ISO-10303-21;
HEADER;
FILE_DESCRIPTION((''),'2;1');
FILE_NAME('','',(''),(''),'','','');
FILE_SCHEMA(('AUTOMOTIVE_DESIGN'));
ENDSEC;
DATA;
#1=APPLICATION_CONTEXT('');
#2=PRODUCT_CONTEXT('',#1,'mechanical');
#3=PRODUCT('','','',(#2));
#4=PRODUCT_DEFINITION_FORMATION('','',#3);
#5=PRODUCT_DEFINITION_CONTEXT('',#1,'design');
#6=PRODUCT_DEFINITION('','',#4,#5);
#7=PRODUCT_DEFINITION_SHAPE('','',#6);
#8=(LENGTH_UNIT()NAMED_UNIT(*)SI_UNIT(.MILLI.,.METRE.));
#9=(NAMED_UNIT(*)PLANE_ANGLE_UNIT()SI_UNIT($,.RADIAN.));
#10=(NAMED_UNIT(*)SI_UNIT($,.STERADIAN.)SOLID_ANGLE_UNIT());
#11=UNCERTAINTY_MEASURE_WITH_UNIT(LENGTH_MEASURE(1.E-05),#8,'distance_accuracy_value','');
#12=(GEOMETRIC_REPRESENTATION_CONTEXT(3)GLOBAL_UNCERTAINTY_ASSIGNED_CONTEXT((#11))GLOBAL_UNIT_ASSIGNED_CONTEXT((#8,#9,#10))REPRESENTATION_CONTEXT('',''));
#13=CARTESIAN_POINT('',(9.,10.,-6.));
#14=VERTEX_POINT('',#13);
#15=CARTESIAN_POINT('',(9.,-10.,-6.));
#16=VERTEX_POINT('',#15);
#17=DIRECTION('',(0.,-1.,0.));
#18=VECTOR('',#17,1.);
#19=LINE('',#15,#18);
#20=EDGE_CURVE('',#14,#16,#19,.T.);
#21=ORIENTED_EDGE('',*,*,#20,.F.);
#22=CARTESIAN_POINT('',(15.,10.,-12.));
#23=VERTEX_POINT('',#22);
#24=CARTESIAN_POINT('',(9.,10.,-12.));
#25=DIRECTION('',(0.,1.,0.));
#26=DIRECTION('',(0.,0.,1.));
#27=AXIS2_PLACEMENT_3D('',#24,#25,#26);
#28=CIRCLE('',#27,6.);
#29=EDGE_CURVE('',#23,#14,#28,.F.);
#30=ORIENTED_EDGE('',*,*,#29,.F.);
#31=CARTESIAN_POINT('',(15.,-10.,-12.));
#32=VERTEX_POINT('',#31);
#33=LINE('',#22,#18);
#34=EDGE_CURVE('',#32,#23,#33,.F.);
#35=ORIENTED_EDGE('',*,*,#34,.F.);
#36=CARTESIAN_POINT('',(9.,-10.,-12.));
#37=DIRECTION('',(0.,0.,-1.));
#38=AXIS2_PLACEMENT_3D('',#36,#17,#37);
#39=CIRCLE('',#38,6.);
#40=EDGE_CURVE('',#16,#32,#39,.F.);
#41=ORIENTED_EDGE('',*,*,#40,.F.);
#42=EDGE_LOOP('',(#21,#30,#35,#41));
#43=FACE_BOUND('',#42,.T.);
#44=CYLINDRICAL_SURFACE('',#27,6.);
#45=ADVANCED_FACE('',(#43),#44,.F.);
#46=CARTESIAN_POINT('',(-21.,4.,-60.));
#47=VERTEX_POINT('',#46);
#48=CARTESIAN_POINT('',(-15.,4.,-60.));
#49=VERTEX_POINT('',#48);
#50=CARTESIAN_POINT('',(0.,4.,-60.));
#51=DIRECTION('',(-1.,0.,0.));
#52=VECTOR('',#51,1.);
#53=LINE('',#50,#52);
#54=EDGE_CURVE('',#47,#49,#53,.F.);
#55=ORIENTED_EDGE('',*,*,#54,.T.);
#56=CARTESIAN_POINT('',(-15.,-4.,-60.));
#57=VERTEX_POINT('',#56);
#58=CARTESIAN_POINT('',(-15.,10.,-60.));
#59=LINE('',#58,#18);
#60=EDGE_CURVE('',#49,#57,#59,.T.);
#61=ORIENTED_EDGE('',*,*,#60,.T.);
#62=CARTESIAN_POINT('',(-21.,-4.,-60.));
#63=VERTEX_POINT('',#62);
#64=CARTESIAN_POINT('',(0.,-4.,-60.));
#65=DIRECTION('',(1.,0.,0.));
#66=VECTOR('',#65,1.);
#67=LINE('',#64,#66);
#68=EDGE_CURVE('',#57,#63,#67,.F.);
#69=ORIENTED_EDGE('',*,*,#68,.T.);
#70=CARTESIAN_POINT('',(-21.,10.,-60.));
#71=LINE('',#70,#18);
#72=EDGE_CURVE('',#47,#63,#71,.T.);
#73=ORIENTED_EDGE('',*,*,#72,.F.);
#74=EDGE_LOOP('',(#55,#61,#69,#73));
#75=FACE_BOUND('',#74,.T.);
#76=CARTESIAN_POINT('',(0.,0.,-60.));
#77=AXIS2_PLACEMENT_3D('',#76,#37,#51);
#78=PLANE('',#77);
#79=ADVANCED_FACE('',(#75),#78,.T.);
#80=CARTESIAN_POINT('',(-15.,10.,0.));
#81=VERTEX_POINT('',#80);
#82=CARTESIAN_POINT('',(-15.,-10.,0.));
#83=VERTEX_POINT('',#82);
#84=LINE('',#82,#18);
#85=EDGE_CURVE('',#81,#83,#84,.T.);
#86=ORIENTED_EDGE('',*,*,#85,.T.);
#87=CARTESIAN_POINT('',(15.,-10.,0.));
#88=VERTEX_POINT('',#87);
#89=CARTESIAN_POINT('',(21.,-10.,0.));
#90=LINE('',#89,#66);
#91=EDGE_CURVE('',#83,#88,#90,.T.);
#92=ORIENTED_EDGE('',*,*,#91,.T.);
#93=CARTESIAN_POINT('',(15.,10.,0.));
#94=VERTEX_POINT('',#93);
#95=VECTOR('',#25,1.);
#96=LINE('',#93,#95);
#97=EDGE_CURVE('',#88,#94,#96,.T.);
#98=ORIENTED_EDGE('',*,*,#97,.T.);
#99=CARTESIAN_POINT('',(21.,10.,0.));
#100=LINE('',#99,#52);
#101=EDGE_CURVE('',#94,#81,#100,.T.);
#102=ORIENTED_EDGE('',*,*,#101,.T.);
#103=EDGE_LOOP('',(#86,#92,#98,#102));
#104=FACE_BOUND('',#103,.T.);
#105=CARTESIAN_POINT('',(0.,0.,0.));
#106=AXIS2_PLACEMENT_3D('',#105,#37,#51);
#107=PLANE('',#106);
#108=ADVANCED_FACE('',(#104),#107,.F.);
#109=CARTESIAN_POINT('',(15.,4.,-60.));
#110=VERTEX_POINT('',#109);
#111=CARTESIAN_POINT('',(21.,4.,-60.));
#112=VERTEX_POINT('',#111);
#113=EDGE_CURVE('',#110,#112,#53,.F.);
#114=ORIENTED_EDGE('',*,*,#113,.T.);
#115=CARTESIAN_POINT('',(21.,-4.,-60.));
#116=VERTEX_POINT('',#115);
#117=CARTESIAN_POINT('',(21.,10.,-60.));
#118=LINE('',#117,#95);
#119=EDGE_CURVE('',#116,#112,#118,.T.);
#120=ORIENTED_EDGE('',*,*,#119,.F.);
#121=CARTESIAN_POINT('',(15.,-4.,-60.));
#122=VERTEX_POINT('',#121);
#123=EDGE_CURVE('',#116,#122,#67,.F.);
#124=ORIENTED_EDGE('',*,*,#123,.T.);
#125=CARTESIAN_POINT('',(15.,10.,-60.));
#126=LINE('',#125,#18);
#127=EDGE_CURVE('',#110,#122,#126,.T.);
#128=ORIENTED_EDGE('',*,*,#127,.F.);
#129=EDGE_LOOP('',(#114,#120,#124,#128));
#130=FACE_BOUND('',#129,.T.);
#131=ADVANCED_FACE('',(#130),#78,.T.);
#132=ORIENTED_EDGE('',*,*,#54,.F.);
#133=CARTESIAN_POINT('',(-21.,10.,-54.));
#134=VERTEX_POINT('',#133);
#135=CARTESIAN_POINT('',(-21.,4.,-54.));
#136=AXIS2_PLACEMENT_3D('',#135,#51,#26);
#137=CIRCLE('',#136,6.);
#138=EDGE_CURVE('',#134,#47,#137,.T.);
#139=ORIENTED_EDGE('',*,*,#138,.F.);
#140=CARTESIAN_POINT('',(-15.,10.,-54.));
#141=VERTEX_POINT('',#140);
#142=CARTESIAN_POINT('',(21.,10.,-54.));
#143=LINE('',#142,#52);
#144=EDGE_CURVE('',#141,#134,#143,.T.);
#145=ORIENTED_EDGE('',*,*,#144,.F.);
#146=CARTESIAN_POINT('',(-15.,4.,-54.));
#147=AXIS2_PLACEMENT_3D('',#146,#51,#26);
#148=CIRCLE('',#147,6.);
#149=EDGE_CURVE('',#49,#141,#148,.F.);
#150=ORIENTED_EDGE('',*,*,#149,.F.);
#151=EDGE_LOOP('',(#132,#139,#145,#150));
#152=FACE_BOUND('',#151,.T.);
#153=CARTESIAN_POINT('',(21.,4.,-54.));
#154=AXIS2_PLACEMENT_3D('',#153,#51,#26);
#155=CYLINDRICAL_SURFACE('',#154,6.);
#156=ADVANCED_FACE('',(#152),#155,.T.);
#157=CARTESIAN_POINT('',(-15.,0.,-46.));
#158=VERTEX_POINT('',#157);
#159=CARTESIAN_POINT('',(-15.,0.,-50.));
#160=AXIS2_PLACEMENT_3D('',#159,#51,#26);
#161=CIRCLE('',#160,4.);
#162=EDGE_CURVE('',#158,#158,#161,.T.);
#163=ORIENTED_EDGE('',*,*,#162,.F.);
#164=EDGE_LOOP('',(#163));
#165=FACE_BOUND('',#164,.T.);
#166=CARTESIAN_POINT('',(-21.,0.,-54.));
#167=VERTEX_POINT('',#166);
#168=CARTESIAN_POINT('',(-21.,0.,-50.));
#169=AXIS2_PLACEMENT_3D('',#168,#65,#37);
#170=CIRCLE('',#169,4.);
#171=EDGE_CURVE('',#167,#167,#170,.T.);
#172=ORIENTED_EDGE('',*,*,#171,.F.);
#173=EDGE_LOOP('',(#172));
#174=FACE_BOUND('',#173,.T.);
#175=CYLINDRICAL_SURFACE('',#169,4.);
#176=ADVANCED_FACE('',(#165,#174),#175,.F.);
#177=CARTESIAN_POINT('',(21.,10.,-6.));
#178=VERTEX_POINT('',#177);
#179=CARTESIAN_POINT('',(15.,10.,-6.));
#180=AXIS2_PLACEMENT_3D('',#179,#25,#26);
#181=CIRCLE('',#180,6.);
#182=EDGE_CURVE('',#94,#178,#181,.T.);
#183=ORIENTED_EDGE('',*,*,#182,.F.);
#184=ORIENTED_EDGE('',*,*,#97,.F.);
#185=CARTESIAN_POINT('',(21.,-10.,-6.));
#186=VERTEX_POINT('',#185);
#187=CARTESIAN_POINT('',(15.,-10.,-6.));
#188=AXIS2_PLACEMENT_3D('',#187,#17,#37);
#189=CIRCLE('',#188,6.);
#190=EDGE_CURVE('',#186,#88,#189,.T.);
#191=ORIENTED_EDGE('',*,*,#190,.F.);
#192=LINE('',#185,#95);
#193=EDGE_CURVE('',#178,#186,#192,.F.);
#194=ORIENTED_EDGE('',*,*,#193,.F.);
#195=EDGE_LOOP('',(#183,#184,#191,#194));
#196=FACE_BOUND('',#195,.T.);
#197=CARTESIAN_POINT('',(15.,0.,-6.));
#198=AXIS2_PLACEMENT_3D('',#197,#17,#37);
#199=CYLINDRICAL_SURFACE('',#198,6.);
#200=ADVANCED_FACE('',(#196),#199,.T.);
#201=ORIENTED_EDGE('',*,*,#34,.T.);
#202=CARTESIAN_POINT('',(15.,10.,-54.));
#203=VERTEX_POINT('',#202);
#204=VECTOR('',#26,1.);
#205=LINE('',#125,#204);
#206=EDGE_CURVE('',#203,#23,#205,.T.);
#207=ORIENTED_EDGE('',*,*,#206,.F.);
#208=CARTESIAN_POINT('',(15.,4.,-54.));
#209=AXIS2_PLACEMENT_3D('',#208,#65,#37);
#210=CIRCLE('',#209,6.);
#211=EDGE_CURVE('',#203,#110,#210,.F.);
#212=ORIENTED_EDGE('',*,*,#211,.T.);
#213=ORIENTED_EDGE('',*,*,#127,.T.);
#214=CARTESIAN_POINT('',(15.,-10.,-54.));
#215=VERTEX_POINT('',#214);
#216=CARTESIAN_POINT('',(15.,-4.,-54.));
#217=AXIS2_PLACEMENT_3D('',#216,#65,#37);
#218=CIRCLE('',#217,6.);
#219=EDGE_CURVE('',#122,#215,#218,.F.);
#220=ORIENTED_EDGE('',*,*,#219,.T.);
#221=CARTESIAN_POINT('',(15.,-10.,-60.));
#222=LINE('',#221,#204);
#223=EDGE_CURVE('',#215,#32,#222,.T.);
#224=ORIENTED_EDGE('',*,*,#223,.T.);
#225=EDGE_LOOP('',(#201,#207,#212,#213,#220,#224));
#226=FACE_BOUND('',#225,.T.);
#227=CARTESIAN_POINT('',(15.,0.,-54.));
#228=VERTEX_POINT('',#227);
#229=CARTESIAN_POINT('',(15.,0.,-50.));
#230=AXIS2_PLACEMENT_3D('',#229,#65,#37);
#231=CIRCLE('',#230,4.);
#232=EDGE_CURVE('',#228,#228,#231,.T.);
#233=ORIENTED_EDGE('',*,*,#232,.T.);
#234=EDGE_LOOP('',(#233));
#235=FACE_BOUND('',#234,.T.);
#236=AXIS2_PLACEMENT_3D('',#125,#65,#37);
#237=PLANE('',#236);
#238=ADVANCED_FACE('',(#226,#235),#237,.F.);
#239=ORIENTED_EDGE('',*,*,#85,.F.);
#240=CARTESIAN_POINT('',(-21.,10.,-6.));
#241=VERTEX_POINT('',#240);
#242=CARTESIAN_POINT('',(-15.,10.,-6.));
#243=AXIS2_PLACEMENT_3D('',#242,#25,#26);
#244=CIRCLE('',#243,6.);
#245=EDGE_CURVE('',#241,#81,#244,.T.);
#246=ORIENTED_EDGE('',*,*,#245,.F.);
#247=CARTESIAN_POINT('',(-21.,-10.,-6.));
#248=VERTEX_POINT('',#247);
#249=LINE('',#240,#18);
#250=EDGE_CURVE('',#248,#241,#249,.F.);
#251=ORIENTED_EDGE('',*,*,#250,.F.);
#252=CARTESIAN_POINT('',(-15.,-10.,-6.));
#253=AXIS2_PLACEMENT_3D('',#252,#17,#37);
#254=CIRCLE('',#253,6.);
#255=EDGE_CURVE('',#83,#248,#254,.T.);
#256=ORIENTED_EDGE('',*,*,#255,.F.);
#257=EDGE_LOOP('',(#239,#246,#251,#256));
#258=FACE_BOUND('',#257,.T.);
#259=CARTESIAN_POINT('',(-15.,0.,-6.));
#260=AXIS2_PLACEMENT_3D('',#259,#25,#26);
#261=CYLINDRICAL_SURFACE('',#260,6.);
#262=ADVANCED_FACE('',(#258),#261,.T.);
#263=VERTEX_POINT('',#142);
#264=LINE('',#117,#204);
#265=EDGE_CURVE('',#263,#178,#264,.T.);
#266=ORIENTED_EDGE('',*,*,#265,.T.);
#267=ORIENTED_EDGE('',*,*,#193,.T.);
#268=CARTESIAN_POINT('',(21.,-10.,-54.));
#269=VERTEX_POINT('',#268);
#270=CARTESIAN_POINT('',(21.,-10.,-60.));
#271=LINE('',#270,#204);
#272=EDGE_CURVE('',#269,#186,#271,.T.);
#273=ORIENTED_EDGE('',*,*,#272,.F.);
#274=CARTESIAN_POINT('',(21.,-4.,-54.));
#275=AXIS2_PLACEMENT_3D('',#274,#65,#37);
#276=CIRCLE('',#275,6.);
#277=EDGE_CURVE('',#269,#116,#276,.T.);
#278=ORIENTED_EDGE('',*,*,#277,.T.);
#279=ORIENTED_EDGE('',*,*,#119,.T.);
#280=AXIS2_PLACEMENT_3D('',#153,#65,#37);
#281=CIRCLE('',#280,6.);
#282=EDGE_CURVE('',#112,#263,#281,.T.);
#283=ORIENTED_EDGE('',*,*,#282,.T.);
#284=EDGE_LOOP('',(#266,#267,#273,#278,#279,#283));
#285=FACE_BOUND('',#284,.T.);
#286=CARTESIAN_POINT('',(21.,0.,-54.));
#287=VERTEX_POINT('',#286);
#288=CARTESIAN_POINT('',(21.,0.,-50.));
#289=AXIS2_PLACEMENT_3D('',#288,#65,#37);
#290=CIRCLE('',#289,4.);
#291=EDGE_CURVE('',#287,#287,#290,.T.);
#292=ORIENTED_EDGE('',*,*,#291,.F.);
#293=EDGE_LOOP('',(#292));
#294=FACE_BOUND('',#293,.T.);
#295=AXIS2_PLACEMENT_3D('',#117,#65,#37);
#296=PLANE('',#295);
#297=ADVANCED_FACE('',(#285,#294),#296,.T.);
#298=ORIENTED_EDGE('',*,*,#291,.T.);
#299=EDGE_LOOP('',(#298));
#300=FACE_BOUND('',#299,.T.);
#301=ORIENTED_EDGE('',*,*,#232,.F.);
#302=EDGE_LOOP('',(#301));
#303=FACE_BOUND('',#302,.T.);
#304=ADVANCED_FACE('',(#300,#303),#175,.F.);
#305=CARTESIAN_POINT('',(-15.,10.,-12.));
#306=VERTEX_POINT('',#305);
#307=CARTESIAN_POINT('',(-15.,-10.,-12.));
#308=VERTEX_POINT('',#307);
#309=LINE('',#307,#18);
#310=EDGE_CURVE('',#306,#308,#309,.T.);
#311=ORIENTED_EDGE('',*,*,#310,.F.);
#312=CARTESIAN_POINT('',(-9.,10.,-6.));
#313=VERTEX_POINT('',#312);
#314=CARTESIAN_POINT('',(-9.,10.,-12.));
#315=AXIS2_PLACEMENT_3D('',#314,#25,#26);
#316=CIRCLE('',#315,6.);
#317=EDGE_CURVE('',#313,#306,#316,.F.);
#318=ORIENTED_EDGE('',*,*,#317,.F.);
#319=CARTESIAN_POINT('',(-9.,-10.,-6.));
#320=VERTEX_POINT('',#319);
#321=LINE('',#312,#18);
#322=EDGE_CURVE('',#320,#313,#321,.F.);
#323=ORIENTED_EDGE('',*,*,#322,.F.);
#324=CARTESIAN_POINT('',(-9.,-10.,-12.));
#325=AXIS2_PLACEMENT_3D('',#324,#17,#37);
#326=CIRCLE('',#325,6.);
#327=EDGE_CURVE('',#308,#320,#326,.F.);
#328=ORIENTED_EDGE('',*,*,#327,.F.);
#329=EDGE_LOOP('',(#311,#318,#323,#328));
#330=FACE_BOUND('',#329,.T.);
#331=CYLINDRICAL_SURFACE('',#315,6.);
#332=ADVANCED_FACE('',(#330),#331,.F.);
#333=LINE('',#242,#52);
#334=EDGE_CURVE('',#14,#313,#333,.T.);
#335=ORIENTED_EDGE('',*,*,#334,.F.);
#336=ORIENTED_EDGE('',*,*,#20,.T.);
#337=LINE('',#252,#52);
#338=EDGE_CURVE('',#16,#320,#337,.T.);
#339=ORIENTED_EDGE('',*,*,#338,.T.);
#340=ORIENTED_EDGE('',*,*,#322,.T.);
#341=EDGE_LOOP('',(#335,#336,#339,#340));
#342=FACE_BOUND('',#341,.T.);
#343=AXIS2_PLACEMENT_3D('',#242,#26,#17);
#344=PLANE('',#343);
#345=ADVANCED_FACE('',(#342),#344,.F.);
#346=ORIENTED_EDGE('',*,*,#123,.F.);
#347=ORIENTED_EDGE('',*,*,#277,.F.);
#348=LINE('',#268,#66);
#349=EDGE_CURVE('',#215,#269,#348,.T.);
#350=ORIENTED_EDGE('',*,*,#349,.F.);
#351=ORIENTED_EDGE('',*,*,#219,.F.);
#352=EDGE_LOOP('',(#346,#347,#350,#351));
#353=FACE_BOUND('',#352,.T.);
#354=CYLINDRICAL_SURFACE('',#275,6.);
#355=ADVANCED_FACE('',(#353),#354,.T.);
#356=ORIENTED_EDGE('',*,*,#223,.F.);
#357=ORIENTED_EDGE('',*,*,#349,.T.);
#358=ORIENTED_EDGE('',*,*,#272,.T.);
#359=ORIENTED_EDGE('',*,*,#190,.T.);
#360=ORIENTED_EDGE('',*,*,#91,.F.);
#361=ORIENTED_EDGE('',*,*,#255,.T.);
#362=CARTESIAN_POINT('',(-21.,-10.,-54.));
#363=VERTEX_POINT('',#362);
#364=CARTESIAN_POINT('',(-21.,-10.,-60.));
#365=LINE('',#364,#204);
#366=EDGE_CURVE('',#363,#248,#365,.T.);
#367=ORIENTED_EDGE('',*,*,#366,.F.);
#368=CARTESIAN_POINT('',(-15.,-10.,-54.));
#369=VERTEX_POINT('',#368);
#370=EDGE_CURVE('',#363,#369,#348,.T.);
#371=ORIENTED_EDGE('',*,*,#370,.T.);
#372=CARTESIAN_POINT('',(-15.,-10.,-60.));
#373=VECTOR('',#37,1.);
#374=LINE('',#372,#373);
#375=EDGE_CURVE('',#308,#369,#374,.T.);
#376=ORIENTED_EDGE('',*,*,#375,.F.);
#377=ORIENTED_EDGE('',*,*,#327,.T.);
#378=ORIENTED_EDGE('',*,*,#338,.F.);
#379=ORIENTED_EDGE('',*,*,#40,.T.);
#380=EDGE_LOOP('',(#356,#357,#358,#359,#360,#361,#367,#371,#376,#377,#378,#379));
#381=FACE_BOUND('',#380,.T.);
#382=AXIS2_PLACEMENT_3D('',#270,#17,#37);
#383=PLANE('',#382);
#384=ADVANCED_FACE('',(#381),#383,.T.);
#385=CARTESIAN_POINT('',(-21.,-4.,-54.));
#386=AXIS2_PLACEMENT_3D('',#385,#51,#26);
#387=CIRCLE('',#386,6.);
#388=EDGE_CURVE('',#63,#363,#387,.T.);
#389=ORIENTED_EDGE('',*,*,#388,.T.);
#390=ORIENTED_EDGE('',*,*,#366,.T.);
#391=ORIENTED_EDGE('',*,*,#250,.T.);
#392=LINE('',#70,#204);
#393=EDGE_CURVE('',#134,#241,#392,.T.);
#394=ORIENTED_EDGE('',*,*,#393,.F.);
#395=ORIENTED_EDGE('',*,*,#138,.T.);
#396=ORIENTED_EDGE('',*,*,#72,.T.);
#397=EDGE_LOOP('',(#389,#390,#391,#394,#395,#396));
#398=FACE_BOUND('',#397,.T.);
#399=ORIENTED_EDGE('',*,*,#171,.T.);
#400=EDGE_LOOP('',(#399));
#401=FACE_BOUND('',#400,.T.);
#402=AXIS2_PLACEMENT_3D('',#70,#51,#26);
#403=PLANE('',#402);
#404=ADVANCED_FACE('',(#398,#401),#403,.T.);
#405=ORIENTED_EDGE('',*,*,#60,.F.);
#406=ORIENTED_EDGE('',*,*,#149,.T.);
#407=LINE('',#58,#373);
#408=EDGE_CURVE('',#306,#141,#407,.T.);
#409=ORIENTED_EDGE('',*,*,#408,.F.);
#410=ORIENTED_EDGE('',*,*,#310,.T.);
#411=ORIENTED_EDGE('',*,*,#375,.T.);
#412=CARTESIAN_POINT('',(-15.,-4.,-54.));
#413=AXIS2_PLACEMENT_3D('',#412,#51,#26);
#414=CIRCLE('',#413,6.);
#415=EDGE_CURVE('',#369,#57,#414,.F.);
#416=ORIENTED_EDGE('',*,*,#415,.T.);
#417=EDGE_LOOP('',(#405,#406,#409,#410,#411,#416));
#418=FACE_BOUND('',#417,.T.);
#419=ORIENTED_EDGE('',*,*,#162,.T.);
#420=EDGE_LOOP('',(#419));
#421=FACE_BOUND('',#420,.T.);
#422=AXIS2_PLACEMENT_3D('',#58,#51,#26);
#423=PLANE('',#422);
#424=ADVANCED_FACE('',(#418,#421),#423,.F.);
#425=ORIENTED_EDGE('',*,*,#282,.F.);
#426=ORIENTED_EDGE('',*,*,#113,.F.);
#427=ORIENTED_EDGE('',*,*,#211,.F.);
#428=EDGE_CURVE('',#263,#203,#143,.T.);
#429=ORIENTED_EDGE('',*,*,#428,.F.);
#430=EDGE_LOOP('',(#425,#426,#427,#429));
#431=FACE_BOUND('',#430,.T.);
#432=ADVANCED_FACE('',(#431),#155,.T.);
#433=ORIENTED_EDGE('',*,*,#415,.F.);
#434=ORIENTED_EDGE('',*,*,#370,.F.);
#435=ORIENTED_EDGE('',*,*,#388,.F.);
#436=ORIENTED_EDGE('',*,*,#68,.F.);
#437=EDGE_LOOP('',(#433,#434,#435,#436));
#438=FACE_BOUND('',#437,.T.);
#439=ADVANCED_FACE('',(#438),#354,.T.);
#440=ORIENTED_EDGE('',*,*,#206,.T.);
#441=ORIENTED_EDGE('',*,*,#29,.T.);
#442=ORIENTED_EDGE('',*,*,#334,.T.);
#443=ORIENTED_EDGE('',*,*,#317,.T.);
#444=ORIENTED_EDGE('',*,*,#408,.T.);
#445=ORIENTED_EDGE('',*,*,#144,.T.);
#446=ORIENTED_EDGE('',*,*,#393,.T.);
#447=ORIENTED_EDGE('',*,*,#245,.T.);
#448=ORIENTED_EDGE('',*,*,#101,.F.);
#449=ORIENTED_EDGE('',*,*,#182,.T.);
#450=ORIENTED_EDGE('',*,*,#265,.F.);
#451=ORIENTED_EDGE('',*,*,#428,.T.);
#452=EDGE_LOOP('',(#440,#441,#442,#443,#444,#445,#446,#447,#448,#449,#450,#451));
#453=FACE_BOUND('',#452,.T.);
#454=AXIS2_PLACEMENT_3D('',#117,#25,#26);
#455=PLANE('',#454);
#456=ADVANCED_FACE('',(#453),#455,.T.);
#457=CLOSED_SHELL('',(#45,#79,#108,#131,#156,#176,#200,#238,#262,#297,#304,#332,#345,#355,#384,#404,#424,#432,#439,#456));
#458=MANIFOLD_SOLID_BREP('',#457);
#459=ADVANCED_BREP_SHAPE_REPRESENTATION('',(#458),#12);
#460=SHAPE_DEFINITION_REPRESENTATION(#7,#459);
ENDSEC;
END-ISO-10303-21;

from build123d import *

# Parameters (mm, degrees)
SKETCH_1_W          = 42
SKETCH_1_H          = 20
EXTRUDE_1_DEPTH     = 60
SKETCH_3_W          = 30
SKETCH_3_H          = 54
CUT_EXTRUDE_1_DEPTH = 67.640828326
FILLET_1_R          = 6
SKETCH_4_R          = 4
CUT_EXTRUDE_2_DEPTH = 74.91887445


with BuildPart() as part:
    # 草图1 → 凸台-拉伸1 (new body)
    with BuildSketch(Plane.XY):
        Rectangle(SKETCH_1_W, SKETCH_1_H)
    extrude(amount=-EXTRUDE_1_DEPTH)

    # 草图3 → 切除-拉伸1 (cut, through all)
    with BuildSketch(Plane.XZ.offset(10)):
        with Locations((0, -33)):
            Rectangle(SKETCH_3_W, SKETCH_3_H)
    extrude(amount=-CUT_EXTRUDE_1_DEPTH, mode=Mode.SUBTRACT)

    # 圆角1
    fillet_1_edges = [part.edges().sort_by_distance(p)[0] for p in [
        (18, 10, -60),
        (-18, 10, -60),
        (18, -10, -60),
        (-15, 0, -6),
        (15, 0, -6),
        (21, 0, 0),
        (-21, 0, 0),
        (-18, -10, -60),
    ]]
    fillet(fillet_1_edges, radius=FILLET_1_R)

    # 草图4 → 切除-拉伸2 (cut, through all)
    with BuildSketch(Plane(origin=(21, 0, 0), x_dir=(0, 0, -1), z_dir=(1, 0, 0))):
        with Locations((50, 0)):
            Circle(SKETCH_4_R)
    extrude(amount=-CUT_EXTRUDE_2_DEPTH, mode=Mode.SUBTRACT)


solid = part.part
